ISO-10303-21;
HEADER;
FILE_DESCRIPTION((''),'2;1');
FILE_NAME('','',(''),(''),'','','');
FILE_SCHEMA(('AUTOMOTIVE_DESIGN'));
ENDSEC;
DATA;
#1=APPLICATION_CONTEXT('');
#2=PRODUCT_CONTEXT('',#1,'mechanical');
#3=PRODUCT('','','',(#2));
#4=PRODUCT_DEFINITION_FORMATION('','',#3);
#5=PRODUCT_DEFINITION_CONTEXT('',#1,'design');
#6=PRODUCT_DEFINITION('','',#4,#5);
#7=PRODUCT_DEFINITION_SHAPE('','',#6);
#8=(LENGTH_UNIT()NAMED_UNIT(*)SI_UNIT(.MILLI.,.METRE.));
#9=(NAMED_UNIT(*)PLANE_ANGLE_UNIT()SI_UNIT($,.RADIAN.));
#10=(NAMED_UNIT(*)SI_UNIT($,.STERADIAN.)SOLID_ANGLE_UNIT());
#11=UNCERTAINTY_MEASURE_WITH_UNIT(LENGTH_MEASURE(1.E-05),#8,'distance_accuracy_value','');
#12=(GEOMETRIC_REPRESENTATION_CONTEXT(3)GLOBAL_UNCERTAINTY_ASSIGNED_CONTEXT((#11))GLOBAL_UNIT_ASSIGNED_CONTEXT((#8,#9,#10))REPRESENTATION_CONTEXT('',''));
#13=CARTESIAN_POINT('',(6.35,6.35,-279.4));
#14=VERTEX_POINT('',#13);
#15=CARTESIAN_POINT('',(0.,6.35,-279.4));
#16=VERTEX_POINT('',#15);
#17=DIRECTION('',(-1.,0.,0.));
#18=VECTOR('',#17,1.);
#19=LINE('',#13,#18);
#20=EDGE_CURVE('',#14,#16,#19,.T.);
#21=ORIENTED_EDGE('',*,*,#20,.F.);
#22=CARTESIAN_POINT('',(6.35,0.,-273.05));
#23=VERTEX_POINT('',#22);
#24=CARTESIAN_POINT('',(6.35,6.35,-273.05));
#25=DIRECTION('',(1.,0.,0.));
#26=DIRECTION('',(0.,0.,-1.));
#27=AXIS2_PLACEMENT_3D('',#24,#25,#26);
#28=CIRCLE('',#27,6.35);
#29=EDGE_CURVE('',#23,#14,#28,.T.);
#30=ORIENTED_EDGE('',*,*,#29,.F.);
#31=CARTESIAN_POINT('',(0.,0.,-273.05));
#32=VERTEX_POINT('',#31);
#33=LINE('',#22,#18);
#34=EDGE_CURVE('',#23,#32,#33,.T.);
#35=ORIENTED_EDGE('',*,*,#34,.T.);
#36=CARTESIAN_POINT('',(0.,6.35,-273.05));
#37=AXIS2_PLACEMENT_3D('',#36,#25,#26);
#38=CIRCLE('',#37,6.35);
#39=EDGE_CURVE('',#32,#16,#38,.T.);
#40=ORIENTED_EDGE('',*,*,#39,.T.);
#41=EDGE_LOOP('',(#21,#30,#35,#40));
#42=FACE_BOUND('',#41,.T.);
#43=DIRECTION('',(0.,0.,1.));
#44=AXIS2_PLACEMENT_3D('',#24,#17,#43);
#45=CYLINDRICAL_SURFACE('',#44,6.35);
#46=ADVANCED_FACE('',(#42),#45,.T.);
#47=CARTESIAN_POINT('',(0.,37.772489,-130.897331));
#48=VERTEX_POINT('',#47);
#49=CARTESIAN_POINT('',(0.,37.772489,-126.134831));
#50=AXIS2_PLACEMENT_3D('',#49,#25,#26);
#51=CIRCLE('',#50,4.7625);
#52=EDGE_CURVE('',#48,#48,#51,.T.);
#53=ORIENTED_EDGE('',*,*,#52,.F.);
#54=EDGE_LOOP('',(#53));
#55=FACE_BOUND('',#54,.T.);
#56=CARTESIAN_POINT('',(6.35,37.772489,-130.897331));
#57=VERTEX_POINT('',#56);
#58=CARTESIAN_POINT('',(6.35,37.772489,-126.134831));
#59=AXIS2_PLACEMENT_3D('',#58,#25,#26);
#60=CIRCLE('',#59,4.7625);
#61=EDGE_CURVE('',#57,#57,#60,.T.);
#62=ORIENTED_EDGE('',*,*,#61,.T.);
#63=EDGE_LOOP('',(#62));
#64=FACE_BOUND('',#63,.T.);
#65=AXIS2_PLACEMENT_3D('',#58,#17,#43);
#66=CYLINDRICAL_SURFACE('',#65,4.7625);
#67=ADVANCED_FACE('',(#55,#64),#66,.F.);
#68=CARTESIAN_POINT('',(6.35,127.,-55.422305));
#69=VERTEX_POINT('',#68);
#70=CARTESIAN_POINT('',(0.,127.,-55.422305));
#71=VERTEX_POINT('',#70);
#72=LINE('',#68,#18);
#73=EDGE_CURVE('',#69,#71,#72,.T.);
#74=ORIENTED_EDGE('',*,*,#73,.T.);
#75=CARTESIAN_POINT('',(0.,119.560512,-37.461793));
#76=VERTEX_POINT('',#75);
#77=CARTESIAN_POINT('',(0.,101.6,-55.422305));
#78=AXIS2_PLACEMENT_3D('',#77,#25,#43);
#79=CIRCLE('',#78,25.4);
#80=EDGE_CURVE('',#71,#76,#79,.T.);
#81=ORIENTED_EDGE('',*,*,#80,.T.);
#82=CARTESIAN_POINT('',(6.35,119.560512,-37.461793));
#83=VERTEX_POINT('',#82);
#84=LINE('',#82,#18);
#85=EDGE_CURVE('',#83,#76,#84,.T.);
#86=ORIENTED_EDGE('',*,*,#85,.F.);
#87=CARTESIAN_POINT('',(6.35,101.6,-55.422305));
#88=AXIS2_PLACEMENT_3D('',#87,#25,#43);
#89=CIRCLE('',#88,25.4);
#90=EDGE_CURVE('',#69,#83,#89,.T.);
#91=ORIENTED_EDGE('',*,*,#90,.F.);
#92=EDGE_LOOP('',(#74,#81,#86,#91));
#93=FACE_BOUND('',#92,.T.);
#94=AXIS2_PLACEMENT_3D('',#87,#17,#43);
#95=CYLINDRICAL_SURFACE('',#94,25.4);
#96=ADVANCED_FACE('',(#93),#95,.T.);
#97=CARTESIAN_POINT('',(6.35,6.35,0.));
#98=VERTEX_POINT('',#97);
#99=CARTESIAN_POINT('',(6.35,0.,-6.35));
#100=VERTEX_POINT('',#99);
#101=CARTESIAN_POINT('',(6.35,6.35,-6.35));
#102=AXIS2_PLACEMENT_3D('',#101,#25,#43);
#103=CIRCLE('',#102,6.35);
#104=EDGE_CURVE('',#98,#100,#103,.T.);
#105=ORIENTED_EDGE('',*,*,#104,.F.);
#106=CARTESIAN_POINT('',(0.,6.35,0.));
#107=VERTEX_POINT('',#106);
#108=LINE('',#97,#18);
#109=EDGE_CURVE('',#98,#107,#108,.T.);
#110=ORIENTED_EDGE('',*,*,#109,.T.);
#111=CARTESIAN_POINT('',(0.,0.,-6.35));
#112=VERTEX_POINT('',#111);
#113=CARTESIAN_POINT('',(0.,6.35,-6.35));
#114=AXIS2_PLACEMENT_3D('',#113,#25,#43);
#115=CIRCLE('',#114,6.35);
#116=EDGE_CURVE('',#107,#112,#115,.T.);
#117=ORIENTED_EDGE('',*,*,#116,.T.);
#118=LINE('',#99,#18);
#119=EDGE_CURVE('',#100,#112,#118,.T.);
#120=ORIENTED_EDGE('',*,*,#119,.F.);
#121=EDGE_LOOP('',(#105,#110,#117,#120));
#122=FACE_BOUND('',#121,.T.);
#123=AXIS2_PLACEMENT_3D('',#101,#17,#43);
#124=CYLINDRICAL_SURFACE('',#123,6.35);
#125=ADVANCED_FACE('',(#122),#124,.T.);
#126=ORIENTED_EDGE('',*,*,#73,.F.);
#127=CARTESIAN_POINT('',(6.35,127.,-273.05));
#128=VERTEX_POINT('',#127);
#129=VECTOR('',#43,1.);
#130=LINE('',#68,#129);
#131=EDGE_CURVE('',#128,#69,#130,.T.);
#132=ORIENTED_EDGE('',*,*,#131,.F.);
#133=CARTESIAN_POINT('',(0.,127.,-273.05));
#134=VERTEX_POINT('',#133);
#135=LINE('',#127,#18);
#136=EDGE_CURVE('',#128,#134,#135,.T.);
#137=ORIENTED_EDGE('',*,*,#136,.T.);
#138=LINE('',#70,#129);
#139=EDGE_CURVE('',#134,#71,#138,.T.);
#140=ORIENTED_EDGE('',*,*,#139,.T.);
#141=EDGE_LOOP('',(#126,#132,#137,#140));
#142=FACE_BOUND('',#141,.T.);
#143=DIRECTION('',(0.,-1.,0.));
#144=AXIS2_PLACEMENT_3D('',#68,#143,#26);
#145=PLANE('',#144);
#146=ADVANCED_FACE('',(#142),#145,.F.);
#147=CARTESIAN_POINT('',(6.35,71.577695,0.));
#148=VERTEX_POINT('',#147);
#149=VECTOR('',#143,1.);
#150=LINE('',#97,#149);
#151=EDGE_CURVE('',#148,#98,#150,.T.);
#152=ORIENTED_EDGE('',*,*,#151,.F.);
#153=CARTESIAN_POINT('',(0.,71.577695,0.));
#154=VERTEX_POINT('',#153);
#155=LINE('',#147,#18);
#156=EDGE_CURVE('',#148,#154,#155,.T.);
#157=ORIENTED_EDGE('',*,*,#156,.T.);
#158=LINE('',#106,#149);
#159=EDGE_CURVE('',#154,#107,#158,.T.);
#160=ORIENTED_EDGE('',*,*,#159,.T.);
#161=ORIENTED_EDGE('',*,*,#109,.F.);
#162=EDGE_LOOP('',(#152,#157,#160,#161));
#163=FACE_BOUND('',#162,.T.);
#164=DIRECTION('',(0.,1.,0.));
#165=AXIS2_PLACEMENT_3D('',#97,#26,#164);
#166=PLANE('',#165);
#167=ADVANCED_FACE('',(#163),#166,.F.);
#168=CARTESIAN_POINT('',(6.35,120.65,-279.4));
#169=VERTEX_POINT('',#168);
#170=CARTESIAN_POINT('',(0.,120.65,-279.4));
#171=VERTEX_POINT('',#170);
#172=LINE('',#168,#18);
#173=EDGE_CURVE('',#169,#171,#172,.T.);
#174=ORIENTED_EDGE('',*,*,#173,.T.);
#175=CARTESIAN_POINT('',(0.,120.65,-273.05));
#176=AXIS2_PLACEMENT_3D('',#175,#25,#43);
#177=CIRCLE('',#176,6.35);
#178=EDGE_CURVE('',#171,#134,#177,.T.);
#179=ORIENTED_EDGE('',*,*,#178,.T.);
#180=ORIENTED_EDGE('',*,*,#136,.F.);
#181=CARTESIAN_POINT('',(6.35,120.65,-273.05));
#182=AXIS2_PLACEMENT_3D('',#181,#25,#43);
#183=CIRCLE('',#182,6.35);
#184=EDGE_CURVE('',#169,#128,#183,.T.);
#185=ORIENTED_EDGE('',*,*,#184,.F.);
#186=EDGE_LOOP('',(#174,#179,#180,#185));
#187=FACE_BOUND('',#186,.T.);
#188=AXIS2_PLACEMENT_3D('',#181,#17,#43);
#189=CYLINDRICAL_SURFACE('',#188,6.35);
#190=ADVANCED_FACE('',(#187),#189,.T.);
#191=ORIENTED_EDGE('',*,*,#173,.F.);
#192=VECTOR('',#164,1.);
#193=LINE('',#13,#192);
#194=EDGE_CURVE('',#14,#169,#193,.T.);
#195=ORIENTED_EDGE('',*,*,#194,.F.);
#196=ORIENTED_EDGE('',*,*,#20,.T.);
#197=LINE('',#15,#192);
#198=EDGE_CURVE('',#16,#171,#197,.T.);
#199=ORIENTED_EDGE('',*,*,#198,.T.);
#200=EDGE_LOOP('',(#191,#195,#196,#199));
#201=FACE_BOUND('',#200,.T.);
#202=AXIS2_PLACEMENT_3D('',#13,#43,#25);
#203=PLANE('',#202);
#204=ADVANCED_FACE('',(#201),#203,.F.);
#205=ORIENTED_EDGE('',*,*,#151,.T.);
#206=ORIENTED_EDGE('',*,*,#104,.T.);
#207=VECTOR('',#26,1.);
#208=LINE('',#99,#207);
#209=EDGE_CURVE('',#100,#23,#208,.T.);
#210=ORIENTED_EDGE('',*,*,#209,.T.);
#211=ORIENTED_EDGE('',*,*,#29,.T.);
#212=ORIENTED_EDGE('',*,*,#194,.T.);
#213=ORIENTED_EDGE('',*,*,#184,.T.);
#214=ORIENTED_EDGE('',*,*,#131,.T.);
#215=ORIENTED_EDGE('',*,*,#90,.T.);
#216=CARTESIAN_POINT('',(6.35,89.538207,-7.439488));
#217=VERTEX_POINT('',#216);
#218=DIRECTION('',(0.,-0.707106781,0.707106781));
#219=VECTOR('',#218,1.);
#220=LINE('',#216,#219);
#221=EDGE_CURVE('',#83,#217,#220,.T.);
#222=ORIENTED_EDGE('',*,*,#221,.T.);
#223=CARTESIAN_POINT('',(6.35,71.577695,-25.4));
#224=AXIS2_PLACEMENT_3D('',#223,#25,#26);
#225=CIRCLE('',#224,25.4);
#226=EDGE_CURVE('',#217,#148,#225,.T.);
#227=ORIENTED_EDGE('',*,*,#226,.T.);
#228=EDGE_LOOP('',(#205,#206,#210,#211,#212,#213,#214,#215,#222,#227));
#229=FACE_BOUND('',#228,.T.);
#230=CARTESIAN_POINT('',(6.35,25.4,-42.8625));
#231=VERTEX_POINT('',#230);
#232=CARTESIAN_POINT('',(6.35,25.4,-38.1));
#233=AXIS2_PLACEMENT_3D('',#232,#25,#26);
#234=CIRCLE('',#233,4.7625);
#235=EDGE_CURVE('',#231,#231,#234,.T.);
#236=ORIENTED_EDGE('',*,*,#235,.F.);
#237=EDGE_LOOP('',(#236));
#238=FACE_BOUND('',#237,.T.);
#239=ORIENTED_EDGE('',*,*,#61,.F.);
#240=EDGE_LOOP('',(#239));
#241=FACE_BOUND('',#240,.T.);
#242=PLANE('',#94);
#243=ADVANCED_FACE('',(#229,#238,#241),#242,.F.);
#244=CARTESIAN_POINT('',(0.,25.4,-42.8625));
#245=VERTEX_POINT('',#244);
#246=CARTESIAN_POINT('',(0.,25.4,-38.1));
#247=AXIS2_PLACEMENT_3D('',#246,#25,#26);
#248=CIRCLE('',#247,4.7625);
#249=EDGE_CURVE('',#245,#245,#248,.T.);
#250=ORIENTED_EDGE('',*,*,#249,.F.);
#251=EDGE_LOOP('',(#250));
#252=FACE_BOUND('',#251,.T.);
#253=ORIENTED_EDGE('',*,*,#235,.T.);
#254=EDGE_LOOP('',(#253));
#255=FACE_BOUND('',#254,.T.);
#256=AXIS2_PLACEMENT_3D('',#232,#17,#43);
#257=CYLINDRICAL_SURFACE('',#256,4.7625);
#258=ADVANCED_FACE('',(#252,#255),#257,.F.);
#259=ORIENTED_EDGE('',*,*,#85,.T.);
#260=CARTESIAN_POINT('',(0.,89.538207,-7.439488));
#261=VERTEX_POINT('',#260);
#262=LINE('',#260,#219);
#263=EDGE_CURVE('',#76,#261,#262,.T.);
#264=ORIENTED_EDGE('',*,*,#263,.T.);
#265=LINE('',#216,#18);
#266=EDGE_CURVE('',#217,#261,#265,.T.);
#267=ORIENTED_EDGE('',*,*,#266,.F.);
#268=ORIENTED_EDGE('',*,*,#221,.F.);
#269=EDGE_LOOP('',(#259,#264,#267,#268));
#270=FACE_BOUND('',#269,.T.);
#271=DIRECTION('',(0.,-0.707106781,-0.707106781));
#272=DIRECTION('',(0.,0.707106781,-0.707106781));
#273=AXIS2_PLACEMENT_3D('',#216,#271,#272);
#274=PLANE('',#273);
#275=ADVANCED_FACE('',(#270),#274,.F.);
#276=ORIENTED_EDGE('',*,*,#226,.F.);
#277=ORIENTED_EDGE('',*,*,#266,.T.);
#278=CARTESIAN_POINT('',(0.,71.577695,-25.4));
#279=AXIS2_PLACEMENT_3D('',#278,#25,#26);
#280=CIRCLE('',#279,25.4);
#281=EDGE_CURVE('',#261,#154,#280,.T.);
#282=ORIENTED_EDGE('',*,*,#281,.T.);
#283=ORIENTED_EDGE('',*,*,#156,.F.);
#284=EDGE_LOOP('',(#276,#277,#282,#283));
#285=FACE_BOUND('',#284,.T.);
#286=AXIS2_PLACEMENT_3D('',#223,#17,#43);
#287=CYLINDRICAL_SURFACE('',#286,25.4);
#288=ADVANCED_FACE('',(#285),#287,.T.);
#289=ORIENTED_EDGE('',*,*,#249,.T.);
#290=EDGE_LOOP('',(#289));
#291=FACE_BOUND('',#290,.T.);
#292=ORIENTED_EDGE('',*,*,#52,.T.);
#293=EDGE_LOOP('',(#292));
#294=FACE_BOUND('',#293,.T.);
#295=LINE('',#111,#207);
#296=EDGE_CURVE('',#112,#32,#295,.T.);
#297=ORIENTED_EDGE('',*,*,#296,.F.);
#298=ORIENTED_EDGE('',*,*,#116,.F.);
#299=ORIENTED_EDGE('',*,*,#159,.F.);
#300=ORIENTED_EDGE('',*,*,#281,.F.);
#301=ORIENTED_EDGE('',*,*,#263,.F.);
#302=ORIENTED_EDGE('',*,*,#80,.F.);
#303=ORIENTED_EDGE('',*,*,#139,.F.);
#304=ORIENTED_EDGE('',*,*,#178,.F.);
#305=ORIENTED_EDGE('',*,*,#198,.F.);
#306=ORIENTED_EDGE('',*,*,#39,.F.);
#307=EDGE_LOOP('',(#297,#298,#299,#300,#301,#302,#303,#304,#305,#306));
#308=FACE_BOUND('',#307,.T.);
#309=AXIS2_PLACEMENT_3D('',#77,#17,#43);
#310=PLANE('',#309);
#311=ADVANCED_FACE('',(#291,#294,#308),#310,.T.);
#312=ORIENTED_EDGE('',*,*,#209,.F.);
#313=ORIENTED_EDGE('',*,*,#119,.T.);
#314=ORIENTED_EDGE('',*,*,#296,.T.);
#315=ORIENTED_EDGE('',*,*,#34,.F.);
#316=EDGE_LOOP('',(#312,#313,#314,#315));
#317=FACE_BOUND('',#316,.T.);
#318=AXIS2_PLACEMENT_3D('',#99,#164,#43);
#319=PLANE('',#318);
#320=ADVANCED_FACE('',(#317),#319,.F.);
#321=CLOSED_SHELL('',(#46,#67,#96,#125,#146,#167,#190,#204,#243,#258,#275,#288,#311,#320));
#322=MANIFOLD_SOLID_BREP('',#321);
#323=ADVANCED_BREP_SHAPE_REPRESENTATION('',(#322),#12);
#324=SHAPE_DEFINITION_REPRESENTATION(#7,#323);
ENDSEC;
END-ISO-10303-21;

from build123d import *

# Parameters (mm, degrees)
SKETCH1_R           = 4.7625
BOSS_EXTRUDE1_DEPTH = 6.35


with BuildPart() as part:
    # Sketch1 → Boss-Extrude1 (new body)
    with BuildSketch(Plane(origin=(0, 0, 0), x_dir=(0, 0, -1), z_dir=(1, 0, 0))):
        with BuildLine():
            Line((6.35, 0), (273.05, 0))
            ThreePointArc((273.05, 0), (277.540128061, 1.859871939), (279.4, 6.35))
            Line((279.4, 6.35), (279.4, 120.65))
            ThreePointArc((279.4, 120.65), (277.540128061, 125.140128061), (273.05, 127))
            Line((273.05, 127), (55.42230509, 127))
            ThreePointArc((55.42230509, 127), (45.702145908, 125.066540126), (37.461792847, 119.560512242))
            Line((37.461792847, 119.560512242), (7.439487758, 89.538207153))
            ThreePointArc((7.439487758, 89.538207153), (1.933459874, 81.297854092), (0, 71.57769491))
            Line((0, 71.57769491), (0, 6.35))
            ThreePointArc((0, 6.35), (1.859871939, 1.859871939), (6.35, 0))
        make_face()
        with Locations((38.1, 25.4)):
            Circle(SKETCH1_R, mode=Mode.SUBTRACT)
        with Locations((126.134831311, 37.772488675)):
            Circle(SKETCH1_R, mode=Mode.SUBTRACT)
    extrude(amount=BOSS_EXTRUDE1_DEPTH)


solid = part.part
